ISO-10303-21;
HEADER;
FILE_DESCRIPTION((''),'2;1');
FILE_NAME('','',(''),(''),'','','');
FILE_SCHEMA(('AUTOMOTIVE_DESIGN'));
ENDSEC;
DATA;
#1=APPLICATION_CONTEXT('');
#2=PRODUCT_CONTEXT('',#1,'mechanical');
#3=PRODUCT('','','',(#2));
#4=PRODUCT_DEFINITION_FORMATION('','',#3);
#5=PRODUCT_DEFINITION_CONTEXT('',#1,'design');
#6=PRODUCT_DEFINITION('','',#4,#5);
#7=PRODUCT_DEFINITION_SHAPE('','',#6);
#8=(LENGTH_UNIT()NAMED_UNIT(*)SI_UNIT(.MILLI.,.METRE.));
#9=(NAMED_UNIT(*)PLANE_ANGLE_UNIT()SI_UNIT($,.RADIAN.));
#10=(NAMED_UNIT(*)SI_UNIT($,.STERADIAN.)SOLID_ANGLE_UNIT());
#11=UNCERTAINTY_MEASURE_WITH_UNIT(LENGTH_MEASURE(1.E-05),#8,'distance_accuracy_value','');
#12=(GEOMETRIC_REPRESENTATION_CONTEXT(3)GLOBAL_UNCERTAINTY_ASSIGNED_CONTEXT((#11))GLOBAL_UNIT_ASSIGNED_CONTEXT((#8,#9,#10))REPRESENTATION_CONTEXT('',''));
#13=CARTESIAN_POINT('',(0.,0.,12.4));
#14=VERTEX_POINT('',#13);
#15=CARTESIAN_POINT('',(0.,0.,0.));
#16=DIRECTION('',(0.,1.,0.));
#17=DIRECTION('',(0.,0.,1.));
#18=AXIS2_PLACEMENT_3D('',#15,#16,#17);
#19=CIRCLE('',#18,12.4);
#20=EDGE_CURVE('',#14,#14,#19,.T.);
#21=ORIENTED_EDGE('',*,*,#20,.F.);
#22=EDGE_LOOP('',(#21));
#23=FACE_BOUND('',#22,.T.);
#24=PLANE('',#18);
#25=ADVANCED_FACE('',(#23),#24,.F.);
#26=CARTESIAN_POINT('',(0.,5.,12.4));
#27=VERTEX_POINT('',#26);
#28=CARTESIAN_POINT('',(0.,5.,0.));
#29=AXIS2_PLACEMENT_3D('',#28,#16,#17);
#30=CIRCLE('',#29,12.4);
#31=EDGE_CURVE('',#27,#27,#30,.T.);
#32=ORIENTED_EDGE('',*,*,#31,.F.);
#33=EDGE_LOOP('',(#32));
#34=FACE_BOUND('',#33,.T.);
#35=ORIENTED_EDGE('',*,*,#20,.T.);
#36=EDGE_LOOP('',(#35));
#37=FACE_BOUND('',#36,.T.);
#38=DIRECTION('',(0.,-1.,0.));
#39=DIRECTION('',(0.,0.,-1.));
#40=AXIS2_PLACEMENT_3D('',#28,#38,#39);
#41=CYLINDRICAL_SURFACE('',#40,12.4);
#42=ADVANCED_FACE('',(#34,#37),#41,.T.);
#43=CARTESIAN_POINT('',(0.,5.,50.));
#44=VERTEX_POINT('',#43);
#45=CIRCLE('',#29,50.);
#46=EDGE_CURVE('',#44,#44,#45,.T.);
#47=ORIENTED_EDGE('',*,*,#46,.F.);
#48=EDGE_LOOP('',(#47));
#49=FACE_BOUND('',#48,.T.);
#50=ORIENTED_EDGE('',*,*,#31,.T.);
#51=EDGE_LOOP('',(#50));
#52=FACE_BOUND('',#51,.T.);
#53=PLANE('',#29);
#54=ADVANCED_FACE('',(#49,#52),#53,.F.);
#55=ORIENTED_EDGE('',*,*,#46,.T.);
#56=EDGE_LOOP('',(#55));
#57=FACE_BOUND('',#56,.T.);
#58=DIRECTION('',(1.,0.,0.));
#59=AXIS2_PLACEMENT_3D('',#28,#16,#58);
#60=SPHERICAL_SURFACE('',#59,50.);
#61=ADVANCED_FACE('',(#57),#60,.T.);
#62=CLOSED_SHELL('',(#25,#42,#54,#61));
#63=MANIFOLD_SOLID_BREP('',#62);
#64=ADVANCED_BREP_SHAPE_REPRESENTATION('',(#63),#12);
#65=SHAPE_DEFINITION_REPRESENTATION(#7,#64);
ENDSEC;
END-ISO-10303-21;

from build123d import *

# Parameters (mm, degrees)
SKETCH1_R           = 12.4
BOSS_EXTRUDE1_DEPTH = 5


with BuildPart() as part:
    # Sketch1 → Boss-Extrude1 (new body)
    with BuildSketch(Plane(origin=(0, 0, 0), x_dir=(1, 0, 0), z_dir=(0, 1, 0))):
        with Locations(Location((0, 0, 0), (0, 0, 270))):
            Circle(SKETCH1_R)
    extrude(amount=BOSS_EXTRUDE1_DEPTH)

    # Sketch2 → Revolve1 (revolve)
    with BuildSketch(Plane.XY):
        with BuildLine():
            Line((0, 5), (0, 55))
            ThreePointArc((0, 55), (35.355339059, 40.355339059), (50, 5))
            Line((50, 5), (0, 5))
        make_face()
    revolve(axis=Axis((0, 42.926192275, 0), (0, -1, 0)))


solid = part.part
